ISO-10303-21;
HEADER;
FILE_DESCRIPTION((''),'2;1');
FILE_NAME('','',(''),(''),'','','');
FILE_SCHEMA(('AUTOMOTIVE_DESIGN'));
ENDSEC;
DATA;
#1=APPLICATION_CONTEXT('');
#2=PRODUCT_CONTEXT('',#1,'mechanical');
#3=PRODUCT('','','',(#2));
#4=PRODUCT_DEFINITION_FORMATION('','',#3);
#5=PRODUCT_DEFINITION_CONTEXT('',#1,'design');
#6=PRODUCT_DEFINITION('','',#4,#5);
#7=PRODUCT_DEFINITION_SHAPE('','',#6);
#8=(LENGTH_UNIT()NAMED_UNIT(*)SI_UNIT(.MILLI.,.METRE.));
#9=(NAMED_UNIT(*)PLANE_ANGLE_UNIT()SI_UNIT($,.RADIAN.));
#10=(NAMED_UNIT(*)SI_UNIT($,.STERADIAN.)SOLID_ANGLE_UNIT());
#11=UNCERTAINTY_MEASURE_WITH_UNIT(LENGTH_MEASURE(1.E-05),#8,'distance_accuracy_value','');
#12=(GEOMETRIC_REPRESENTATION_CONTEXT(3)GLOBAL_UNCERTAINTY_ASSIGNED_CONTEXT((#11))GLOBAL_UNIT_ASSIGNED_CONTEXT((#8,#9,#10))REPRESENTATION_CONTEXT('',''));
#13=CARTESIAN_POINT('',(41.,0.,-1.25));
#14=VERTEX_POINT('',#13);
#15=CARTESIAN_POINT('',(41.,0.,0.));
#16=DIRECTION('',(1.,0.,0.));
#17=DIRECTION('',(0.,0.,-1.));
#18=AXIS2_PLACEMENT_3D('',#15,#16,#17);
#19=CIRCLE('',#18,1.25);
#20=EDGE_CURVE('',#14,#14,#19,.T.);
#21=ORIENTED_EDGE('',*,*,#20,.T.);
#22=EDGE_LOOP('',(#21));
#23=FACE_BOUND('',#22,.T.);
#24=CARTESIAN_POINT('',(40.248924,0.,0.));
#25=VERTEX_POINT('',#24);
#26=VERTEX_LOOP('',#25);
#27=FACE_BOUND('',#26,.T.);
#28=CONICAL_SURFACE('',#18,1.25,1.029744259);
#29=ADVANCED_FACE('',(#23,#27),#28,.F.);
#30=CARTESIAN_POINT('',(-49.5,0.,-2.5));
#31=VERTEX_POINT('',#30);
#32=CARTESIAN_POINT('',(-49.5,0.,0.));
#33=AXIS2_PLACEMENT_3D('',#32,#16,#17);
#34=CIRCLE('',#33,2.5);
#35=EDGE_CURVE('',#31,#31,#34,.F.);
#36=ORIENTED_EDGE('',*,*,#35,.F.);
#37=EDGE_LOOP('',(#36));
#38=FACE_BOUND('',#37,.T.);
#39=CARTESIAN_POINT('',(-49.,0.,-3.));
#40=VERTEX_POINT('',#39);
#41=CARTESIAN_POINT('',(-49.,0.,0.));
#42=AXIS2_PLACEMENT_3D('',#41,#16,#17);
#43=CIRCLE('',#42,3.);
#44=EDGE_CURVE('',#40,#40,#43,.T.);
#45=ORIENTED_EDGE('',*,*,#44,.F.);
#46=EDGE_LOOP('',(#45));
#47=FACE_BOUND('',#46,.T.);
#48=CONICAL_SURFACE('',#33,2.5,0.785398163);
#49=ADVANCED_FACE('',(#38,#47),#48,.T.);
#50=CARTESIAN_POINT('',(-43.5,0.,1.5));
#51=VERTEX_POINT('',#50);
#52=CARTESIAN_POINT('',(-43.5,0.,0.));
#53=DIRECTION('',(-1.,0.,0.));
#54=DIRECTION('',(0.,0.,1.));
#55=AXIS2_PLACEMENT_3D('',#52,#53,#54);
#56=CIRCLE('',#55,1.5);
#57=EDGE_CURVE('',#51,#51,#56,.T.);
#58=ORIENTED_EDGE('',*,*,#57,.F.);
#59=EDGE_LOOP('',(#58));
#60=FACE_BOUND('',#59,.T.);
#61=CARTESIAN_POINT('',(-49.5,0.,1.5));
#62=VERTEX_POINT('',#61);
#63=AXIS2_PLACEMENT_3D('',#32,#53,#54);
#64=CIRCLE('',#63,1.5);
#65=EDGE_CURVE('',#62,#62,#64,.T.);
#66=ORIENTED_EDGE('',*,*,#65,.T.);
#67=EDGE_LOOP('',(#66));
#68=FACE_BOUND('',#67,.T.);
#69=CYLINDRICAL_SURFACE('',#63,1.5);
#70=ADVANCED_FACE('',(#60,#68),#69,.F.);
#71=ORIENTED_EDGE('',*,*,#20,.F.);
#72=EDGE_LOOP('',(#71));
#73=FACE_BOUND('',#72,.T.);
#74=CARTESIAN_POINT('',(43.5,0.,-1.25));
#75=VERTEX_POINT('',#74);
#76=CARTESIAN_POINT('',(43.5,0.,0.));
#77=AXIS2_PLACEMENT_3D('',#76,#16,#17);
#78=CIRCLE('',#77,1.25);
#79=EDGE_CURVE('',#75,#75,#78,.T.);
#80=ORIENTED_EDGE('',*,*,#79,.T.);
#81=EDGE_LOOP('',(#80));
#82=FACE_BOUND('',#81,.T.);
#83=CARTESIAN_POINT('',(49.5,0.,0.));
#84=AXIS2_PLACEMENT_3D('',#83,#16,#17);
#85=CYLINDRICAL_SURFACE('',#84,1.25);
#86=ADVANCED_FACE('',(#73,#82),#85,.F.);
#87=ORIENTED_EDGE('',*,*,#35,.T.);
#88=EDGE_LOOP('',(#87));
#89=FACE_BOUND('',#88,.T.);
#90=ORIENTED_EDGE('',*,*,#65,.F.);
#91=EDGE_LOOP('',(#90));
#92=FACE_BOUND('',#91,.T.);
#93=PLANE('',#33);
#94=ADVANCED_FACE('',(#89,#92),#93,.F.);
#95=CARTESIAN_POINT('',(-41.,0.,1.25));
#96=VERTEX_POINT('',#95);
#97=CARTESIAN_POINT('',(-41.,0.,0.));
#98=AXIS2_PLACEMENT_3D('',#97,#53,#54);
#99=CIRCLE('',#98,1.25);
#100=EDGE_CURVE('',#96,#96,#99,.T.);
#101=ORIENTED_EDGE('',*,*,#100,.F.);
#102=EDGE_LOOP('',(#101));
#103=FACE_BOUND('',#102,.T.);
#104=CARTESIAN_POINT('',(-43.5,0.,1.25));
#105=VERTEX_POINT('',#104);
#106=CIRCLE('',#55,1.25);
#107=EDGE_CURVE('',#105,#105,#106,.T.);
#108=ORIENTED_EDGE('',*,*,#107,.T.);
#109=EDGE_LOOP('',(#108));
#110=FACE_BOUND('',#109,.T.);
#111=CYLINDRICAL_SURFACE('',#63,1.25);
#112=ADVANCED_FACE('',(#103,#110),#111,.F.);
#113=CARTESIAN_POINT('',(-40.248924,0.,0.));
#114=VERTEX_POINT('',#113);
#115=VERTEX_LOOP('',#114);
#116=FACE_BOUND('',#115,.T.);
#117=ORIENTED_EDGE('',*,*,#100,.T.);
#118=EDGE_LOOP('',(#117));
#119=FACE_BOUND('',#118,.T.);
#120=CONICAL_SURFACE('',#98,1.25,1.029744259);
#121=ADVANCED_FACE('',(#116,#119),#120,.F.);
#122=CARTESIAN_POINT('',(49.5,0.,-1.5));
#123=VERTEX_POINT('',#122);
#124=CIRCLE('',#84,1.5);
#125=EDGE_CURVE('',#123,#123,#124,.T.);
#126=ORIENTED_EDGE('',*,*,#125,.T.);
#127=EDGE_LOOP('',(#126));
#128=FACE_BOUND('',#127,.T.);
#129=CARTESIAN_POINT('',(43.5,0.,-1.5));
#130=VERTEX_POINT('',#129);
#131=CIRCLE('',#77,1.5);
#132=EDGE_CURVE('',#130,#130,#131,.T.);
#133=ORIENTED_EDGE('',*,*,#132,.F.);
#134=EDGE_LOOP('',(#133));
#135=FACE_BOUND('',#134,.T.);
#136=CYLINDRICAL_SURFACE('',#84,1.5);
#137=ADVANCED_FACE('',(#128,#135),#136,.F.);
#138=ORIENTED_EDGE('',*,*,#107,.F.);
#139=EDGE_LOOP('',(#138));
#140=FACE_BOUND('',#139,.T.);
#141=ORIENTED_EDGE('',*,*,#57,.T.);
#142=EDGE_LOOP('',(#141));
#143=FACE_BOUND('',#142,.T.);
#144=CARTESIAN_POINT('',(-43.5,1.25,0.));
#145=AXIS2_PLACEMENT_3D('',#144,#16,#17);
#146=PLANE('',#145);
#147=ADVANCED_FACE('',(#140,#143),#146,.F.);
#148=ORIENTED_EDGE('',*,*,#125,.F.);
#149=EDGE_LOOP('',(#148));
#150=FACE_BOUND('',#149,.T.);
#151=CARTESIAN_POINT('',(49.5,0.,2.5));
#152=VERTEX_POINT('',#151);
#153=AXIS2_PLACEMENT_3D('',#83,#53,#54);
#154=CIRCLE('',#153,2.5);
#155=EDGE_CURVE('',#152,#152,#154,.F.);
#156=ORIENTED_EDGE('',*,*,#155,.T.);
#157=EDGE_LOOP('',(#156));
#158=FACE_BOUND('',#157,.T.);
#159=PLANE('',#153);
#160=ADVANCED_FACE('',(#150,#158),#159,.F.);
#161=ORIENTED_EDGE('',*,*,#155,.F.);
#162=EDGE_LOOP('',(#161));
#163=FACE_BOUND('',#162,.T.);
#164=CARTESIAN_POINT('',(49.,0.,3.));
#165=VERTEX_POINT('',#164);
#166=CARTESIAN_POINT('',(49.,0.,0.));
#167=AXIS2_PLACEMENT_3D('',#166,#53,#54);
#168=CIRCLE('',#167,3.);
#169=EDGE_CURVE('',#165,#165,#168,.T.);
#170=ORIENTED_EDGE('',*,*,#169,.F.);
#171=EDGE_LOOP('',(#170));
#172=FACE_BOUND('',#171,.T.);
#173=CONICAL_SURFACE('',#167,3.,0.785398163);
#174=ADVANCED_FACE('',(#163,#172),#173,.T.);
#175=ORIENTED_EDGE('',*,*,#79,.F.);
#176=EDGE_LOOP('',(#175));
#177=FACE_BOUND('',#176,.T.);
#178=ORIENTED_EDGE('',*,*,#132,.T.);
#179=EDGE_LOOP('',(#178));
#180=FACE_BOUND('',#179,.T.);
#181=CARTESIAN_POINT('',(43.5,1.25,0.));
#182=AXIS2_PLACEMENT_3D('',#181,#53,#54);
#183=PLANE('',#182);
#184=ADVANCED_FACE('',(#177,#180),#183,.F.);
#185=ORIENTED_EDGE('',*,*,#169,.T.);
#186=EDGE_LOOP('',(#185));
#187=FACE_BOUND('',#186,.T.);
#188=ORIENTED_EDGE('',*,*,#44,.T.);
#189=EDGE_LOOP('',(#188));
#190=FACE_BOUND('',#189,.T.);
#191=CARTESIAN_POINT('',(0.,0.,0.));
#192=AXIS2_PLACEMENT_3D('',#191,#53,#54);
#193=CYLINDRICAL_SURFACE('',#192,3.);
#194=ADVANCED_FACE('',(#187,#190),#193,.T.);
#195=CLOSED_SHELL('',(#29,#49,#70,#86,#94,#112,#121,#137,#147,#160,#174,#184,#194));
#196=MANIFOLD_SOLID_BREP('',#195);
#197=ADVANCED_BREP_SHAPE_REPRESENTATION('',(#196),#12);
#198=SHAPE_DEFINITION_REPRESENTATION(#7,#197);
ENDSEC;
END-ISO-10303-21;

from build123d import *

# Parameters (mm, degrees)
SKETCH_1_W                     = 99
SKETCH_1_H                     = 3
CHAMFER_1_SIZE                 = 0.5
M3X0_5_1_D                     = 2.5
M3X0_5_1_DEPTH                 = 8.5
M3X0_5_1_CBORE_D               = 3
M3X0_5_1_CBORE_DEPTH           = 6
M3X0_5_1_TIP                   = 0.751075774
M3X0_5_1_ON_FACE_2_D           = 2.5
M3X0_5_1_ON_FACE_2_DEPTH       = 8.5
M3X0_5_1_ON_FACE_2_CBORE_D     = 3
M3X0_5_1_ON_FACE_2_CBORE_DEPTH = 6
M3X0_5_1_ON_FACE_2_TIP         = 0.751075774


with BuildPart() as part:
    # ｽｹｯﾁ1 → 回転1 (revolve)
    with BuildSketch(Plane.XY, mode=Mode.PRIVATE) as revolve_1_sk:
        with Locations((0, 1.5)):
            Rectangle(SKETCH_1_W, SKETCH_1_H)
    revolve(revolve_1_sk.sketch.rotate(Axis((0, 0, 0), (1, 0, 0)), 90), axis=Axis((0, 0, 0), (1, 0, 0)))

    # 面取り1
    chamfer_1_edges = [part.edges().sort_by_distance(p)[0] for p in [
        (49.5, 0, -3),
        (-49.5, 0, -3),
    ]]
    chamfer(chamfer_1_edges, length=CHAMFER_1_SIZE)

    # M3x0.5 ねじ穴1
    with Locations(Plane(origin=(49.5, 0, 0), x_dir=(0, 0, 1), z_dir=(1, 0, 0))):
        with Locations((0, 0)):
            CounterBoreHole(M3X0_5_1_D / 2, M3X0_5_1_CBORE_D / 2, M3X0_5_1_CBORE_DEPTH, depth=M3X0_5_1_DEPTH)
            with Locations((0, 0, -(M3X0_5_1_DEPTH + M3X0_5_1_TIP / 2))):  # 118° drill point
                Cone(0, M3X0_5_1_D / 2, M3X0_5_1_TIP, mode=Mode.SUBTRACT)

    # M3x0.5 ねじ穴1 on face 2
    with Locations(Plane(origin=(-49.5, 0, 0), x_dir=(0, 0, -1), z_dir=(-1, 0, 0))):
        with Locations((0, 0)):
            CounterBoreHole(M3X0_5_1_ON_FACE_2_D / 2, M3X0_5_1_ON_FACE_2_CBORE_D / 2, M3X0_5_1_ON_FACE_2_CBORE_DEPTH, depth=M3X0_5_1_ON_FACE_2_DEPTH)
            with Locations((0, 0, -(M3X0_5_1_ON_FACE_2_DEPTH + M3X0_5_1_ON_FACE_2_TIP / 2))):  # 118° drill point
                Cone(0, M3X0_5_1_ON_FACE_2_D / 2, M3X0_5_1_ON_FACE_2_TIP, mode=Mode.SUBTRACT)


solid = part.part
